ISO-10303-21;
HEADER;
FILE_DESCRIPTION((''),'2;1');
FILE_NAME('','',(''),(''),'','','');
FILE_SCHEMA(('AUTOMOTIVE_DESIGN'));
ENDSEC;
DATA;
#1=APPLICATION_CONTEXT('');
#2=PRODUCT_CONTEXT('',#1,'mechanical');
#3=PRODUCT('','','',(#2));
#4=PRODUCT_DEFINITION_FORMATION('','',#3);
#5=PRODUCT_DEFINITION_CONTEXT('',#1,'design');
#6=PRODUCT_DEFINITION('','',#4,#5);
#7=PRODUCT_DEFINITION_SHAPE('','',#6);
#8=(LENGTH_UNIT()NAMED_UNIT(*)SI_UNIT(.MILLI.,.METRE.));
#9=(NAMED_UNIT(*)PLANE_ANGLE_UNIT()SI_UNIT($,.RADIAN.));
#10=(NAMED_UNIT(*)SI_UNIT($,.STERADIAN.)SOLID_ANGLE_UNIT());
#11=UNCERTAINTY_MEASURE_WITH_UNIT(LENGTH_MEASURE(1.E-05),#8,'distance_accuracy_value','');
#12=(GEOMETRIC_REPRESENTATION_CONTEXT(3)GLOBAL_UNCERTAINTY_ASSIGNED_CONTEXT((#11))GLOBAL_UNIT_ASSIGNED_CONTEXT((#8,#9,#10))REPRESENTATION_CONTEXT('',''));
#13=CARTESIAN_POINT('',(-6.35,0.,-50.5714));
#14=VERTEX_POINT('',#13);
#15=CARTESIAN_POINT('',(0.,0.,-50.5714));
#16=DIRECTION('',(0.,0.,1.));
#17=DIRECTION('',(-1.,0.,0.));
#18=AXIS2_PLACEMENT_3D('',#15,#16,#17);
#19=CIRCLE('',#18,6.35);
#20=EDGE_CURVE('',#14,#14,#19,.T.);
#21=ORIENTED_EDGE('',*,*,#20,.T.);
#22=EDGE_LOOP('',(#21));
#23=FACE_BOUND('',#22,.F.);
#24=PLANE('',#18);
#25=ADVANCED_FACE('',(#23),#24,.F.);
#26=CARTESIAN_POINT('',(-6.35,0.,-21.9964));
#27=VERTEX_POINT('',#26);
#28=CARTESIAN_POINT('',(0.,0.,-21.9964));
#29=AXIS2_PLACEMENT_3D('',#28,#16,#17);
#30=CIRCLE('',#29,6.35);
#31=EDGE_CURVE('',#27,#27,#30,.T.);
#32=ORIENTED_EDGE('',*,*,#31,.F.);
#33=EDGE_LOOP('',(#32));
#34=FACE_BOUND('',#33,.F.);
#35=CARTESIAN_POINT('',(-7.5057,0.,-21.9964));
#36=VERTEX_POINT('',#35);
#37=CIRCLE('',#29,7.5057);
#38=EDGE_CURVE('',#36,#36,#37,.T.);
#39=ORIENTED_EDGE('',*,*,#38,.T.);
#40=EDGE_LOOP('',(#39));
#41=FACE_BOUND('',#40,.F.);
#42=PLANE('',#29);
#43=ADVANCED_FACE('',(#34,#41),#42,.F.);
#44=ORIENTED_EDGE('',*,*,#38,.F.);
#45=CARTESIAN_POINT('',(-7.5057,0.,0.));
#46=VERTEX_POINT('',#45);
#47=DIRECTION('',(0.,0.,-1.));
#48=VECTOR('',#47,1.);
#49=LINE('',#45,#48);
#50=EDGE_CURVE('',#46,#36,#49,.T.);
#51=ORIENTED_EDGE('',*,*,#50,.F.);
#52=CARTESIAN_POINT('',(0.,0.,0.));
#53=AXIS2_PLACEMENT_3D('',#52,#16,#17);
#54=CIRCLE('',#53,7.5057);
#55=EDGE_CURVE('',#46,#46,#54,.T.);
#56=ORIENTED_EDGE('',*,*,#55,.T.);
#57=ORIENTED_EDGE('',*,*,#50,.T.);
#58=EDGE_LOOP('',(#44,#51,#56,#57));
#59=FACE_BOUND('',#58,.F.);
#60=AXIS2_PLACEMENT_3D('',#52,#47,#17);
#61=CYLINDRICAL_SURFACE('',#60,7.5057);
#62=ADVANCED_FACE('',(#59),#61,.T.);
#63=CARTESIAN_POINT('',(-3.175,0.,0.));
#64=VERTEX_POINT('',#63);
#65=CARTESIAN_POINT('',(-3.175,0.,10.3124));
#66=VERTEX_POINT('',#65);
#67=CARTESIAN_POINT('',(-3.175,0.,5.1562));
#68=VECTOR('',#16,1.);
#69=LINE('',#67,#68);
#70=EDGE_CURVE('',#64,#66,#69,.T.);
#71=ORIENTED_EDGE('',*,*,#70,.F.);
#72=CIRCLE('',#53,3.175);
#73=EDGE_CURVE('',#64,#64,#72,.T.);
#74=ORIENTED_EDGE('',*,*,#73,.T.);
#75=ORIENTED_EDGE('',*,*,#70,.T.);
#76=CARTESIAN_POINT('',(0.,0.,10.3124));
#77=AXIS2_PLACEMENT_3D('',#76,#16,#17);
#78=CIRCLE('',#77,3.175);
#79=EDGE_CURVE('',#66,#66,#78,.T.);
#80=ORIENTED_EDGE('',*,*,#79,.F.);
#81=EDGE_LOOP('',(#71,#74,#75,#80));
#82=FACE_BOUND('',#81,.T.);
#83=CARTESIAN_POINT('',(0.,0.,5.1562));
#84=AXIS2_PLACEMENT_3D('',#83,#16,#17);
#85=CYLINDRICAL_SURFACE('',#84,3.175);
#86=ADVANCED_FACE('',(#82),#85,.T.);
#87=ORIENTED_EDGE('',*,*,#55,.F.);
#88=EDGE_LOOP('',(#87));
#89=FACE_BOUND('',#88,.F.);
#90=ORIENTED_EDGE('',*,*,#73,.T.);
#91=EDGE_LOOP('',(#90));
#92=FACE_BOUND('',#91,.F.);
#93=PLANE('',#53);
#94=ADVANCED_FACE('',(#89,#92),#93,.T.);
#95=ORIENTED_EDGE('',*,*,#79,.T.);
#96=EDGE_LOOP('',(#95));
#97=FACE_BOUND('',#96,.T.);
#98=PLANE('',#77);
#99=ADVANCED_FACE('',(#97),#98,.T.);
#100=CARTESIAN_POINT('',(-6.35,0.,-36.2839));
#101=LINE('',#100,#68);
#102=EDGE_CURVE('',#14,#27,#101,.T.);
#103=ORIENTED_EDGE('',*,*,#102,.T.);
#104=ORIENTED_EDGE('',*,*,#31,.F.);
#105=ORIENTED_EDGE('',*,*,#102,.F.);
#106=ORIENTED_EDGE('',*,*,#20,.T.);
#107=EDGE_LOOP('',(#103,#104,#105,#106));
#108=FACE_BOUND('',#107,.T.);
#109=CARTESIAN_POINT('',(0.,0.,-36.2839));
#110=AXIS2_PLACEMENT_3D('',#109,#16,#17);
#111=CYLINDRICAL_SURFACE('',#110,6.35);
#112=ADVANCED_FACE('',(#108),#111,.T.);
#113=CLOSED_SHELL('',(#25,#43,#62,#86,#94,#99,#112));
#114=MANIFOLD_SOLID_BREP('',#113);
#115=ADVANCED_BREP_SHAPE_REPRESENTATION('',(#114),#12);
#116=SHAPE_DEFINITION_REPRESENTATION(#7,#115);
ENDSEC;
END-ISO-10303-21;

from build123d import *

# Parameters (mm, degrees)
F0_W   = 3.175
F0_H   = 10.3124
F0_W_2 = 6.35
F0_H_2 = 28.575


with BuildPart() as f1:
    # F0 (on Front) → F1 (revolve)
    with BuildSketch(Plane.XZ):
        with Locations((-1.5875, 5.1562)):
            Rectangle(F0_W, F0_H)
        Polygon((0, -21.9964), (0, 0), (-3.175, 0), (-7.5057, 0), (-7.5057, -21.9964), (-6.35, -21.9964), align=None)
        with Locations((-3.175, -36.2839)):
            Rectangle(F0_W_2, F0_H_2)
    revolve(axis=Axis((0, 0, 5.1562), (0, 0, 1)))


solid = f1.part
